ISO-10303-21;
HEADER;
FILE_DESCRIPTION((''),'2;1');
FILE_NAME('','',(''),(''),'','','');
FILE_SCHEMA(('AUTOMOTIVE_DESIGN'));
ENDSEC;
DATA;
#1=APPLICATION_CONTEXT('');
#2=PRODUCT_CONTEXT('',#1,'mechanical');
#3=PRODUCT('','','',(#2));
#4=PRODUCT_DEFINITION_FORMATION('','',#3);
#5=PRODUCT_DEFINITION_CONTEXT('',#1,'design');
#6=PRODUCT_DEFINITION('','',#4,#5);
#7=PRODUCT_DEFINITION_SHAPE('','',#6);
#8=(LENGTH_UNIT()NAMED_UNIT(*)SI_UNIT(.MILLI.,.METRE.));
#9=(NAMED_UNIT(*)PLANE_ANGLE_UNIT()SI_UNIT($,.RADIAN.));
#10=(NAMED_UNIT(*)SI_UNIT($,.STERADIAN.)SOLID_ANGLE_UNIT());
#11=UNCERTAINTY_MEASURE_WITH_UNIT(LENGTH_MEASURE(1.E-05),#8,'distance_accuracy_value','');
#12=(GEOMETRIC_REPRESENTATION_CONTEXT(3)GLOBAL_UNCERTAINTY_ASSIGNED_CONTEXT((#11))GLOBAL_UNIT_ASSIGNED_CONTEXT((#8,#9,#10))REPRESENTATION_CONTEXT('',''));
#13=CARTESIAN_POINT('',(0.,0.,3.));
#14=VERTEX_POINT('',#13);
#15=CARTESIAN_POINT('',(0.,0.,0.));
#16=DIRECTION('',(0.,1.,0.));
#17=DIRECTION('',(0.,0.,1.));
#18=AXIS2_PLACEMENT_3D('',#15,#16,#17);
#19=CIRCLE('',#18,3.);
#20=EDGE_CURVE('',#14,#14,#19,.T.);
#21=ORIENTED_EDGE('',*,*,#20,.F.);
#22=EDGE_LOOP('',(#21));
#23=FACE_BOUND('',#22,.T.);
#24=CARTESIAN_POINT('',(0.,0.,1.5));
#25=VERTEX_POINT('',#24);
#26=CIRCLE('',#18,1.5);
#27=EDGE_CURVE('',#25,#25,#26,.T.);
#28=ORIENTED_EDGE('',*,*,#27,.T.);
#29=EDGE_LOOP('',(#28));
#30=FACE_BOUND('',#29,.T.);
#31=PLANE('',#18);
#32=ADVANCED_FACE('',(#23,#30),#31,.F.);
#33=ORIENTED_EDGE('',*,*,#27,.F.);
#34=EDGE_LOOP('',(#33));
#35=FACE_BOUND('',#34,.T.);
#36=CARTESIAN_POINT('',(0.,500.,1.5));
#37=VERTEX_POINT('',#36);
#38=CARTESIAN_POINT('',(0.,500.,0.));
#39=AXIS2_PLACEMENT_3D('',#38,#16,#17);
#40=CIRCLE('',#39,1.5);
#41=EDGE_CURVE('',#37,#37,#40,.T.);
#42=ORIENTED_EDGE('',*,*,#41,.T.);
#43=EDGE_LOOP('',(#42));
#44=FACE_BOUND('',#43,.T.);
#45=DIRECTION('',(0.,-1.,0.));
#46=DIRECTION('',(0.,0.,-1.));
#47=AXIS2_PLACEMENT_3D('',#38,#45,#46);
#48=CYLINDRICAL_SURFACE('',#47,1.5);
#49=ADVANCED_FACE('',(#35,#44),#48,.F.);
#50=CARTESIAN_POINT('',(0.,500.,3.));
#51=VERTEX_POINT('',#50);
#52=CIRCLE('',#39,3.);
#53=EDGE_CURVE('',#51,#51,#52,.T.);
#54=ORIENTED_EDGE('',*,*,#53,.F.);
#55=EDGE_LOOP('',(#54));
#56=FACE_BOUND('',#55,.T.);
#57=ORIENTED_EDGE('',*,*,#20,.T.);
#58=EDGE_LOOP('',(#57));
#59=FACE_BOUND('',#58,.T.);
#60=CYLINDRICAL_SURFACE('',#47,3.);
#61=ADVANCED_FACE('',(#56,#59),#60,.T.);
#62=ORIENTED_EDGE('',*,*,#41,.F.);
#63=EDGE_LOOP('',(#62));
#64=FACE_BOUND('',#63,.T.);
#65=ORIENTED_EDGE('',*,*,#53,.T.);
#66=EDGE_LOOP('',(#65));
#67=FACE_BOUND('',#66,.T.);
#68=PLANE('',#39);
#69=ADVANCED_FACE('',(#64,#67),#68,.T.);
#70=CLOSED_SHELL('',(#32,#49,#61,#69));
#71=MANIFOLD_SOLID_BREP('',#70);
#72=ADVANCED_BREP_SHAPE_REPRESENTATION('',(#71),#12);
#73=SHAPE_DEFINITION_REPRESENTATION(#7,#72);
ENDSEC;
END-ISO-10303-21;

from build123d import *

# Parameters (mm, degrees)
SKETCH1_R           = 3
SKETCH1_R_2         = 1.5
BOSS_EXTRUDE1_DEPTH = 499.999999998


with BuildPart() as part:
    # Sketch1 → Boss-Extrude1 (new body)
    with BuildSketch(Plane(origin=(0, 0, 0), x_dir=(1, 0, 0), z_dir=(0, 1, 0))):
        with Locations(Location((0, 0, 0), (0, 0, 270))):
            Circle(SKETCH1_R)
        with Locations(Location((0, 0, 0), (0, 0, 270))):
            Circle(SKETCH1_R_2, mode=Mode.SUBTRACT)
    extrude(amount=BOSS_EXTRUDE1_DEPTH)


solid = part.part
